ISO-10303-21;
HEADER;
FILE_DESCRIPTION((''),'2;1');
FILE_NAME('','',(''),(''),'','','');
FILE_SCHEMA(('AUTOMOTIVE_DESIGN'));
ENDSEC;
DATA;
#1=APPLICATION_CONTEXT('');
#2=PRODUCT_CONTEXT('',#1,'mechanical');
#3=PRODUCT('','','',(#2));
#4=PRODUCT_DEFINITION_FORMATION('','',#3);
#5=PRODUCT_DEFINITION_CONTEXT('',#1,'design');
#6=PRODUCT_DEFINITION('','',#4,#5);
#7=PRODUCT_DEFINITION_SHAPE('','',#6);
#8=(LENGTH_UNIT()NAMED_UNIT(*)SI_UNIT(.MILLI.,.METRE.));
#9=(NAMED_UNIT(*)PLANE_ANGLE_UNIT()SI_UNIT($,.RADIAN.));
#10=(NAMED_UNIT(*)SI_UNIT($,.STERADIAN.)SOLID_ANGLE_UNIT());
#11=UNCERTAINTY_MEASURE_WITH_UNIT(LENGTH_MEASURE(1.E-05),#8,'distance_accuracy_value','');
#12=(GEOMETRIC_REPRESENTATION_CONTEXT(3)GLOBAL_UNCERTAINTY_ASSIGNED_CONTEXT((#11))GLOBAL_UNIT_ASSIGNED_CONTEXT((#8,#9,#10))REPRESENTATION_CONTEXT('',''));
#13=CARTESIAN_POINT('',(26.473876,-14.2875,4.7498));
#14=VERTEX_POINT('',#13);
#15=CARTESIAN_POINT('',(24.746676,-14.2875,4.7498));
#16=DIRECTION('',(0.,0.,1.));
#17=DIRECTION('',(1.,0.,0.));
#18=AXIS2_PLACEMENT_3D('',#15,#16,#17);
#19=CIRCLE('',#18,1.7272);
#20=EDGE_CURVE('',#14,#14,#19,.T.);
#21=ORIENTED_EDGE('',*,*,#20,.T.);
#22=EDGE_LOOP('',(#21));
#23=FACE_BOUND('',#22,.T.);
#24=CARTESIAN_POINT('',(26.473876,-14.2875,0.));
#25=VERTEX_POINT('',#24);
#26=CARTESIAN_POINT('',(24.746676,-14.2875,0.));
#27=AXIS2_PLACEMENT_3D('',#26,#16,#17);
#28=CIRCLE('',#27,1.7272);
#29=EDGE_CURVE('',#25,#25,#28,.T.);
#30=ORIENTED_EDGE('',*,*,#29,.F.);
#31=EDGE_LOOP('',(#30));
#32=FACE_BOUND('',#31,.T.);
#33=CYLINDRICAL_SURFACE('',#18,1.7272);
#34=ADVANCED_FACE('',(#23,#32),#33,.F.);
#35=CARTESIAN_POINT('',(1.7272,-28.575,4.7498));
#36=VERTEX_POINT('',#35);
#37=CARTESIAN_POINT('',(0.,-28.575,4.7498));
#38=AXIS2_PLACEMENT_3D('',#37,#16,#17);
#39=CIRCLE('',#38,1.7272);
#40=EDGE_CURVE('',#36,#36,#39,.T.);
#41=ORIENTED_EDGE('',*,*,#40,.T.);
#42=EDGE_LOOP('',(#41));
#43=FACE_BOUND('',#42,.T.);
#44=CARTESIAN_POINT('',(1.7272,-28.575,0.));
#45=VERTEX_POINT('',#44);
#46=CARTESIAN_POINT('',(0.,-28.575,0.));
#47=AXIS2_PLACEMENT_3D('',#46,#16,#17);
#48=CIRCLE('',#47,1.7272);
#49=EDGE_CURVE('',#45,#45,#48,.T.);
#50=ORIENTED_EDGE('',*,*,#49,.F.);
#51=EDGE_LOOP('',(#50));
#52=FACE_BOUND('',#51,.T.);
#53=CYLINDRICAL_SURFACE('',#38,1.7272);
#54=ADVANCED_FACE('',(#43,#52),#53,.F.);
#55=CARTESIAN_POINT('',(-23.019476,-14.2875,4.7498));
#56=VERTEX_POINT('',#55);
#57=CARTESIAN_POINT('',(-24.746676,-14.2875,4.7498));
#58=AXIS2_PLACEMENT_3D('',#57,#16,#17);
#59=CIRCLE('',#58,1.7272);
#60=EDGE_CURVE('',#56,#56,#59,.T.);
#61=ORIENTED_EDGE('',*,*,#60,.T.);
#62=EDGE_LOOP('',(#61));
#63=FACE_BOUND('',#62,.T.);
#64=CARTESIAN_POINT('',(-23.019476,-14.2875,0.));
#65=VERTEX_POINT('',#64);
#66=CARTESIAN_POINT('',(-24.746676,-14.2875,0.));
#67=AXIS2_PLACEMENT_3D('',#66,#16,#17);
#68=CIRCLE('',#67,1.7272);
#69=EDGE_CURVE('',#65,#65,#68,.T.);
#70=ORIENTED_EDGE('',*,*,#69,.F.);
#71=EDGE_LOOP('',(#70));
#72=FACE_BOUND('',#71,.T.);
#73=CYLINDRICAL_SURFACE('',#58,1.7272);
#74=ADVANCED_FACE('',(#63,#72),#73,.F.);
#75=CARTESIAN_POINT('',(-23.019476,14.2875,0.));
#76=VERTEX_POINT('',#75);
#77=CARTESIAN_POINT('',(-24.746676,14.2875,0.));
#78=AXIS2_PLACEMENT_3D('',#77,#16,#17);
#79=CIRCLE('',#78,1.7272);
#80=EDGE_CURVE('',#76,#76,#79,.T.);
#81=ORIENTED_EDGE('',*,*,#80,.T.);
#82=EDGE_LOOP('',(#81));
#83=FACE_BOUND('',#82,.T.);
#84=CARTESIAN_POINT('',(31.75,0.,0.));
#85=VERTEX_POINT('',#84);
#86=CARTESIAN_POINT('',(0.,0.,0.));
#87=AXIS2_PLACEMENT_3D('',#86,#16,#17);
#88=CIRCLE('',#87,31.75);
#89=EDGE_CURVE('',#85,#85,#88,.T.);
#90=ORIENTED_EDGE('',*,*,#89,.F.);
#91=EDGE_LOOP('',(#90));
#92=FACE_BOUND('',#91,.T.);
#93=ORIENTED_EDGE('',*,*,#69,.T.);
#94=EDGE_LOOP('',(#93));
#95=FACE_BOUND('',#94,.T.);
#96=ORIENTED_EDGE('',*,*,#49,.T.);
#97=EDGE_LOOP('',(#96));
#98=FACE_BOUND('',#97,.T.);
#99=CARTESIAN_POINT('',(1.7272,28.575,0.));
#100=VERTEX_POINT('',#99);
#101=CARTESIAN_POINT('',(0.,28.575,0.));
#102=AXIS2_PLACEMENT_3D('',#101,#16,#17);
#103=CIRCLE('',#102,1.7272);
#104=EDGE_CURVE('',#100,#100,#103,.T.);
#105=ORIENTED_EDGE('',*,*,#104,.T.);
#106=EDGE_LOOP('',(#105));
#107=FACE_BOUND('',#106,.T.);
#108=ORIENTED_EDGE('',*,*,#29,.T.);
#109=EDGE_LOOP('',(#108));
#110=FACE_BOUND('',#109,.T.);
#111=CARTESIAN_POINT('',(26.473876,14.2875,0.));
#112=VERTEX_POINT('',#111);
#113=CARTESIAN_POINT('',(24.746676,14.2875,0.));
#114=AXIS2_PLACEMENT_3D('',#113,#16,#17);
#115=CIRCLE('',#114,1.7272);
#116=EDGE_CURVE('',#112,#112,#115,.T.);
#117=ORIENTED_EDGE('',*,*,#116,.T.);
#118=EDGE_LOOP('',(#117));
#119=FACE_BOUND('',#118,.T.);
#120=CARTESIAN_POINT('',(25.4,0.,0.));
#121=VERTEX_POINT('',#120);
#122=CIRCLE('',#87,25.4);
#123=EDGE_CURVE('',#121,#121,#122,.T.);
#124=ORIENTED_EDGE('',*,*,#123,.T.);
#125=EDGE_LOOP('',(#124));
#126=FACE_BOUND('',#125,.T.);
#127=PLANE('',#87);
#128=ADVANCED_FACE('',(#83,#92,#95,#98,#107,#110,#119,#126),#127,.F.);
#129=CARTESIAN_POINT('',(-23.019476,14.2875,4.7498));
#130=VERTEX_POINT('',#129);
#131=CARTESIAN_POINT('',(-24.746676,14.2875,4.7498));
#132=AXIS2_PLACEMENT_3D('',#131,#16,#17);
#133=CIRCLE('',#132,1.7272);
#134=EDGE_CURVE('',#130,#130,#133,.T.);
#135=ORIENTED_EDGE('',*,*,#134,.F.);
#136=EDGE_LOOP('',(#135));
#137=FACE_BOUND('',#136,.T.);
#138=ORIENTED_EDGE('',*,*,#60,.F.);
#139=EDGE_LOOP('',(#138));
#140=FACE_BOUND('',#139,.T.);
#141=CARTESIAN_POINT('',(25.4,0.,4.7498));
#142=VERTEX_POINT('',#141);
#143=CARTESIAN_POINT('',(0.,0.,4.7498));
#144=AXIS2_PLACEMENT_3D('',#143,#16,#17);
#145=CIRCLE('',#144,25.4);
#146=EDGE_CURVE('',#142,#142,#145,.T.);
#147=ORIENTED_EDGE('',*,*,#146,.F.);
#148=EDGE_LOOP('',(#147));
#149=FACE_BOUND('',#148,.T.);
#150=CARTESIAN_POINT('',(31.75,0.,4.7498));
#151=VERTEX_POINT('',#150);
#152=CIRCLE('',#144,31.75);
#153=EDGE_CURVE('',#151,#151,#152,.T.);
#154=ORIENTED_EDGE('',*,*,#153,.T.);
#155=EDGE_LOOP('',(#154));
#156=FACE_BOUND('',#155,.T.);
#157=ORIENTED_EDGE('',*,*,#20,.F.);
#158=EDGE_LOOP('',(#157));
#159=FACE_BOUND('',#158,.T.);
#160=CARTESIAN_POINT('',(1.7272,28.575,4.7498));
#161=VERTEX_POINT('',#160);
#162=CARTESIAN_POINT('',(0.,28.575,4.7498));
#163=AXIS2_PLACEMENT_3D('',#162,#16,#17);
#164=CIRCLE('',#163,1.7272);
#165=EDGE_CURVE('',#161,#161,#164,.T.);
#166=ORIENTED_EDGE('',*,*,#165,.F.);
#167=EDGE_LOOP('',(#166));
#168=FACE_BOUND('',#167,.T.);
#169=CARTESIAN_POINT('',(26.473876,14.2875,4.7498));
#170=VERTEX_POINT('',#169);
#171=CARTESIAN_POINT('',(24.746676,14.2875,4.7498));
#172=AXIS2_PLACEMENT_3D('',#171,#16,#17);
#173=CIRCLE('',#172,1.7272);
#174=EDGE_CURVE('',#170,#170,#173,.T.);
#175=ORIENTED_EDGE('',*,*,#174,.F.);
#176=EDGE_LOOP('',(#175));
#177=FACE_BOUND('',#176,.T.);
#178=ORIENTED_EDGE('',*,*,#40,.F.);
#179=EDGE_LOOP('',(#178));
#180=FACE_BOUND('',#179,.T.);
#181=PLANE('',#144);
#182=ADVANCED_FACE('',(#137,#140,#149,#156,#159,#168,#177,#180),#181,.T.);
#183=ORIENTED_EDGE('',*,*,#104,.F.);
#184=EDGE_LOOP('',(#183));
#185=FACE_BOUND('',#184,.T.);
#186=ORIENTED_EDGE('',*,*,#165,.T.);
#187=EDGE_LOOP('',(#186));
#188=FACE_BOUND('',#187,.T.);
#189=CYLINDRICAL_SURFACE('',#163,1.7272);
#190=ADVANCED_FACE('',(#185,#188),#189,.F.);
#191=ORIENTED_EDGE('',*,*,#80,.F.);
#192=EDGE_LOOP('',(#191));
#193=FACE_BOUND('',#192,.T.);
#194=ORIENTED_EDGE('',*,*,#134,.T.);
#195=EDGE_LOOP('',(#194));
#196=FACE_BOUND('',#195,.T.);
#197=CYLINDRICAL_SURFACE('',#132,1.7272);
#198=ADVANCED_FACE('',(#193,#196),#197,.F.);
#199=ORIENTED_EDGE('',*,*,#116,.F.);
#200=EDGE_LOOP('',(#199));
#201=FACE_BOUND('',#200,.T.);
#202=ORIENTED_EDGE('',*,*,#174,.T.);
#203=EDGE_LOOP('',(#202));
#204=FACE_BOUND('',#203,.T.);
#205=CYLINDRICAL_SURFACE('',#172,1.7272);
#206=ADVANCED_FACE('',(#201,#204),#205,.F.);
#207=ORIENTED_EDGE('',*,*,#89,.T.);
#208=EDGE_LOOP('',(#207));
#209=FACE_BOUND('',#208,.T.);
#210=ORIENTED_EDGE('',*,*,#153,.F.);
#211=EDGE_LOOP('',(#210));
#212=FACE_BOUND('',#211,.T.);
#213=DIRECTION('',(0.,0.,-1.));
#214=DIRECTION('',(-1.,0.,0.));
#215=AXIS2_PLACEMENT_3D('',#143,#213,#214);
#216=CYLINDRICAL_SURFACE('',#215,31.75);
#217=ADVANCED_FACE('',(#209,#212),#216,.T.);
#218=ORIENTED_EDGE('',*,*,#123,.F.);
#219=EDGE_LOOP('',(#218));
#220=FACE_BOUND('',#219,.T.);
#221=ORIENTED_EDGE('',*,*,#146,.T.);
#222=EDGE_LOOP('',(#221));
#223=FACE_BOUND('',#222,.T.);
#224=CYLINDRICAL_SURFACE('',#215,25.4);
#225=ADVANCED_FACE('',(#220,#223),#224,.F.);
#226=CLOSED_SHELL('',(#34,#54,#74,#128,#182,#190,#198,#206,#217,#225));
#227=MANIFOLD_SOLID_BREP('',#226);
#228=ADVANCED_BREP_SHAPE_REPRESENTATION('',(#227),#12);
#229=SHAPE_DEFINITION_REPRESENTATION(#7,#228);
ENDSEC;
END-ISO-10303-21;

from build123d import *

# Parameters (mm, degrees)
SKETCH1_R             = 31.75
SKETCH1_R_2           = 25.4
BOSS_EXTRUDE1_DEPTH   = 4.7498
F_8_32_TAPPED_HOLE1_D = 3.4544


with BuildPart() as part:
    # Sketch1 → Boss-Extrude1 (new body)
    with BuildSketch(Plane.XY):
        Circle(SKETCH1_R)
        Circle(SKETCH1_R_2, mode=Mode.SUBTRACT)
    extrude(amount=BOSS_EXTRUDE1_DEPTH)

    # #8-32 Tapped Hole1 (through all)
    with Locations(Plane.XY.offset(4.7498)):
        with Locations((0, 28.575), (24.746675913, 14.2875), (24.746675913, -14.2875), (0, -28.575), (-24.746675913, -14.2875), (-24.746675913, 14.2875)):
            Hole(F_8_32_TAPPED_HOLE1_D / 2)


solid = part.part
